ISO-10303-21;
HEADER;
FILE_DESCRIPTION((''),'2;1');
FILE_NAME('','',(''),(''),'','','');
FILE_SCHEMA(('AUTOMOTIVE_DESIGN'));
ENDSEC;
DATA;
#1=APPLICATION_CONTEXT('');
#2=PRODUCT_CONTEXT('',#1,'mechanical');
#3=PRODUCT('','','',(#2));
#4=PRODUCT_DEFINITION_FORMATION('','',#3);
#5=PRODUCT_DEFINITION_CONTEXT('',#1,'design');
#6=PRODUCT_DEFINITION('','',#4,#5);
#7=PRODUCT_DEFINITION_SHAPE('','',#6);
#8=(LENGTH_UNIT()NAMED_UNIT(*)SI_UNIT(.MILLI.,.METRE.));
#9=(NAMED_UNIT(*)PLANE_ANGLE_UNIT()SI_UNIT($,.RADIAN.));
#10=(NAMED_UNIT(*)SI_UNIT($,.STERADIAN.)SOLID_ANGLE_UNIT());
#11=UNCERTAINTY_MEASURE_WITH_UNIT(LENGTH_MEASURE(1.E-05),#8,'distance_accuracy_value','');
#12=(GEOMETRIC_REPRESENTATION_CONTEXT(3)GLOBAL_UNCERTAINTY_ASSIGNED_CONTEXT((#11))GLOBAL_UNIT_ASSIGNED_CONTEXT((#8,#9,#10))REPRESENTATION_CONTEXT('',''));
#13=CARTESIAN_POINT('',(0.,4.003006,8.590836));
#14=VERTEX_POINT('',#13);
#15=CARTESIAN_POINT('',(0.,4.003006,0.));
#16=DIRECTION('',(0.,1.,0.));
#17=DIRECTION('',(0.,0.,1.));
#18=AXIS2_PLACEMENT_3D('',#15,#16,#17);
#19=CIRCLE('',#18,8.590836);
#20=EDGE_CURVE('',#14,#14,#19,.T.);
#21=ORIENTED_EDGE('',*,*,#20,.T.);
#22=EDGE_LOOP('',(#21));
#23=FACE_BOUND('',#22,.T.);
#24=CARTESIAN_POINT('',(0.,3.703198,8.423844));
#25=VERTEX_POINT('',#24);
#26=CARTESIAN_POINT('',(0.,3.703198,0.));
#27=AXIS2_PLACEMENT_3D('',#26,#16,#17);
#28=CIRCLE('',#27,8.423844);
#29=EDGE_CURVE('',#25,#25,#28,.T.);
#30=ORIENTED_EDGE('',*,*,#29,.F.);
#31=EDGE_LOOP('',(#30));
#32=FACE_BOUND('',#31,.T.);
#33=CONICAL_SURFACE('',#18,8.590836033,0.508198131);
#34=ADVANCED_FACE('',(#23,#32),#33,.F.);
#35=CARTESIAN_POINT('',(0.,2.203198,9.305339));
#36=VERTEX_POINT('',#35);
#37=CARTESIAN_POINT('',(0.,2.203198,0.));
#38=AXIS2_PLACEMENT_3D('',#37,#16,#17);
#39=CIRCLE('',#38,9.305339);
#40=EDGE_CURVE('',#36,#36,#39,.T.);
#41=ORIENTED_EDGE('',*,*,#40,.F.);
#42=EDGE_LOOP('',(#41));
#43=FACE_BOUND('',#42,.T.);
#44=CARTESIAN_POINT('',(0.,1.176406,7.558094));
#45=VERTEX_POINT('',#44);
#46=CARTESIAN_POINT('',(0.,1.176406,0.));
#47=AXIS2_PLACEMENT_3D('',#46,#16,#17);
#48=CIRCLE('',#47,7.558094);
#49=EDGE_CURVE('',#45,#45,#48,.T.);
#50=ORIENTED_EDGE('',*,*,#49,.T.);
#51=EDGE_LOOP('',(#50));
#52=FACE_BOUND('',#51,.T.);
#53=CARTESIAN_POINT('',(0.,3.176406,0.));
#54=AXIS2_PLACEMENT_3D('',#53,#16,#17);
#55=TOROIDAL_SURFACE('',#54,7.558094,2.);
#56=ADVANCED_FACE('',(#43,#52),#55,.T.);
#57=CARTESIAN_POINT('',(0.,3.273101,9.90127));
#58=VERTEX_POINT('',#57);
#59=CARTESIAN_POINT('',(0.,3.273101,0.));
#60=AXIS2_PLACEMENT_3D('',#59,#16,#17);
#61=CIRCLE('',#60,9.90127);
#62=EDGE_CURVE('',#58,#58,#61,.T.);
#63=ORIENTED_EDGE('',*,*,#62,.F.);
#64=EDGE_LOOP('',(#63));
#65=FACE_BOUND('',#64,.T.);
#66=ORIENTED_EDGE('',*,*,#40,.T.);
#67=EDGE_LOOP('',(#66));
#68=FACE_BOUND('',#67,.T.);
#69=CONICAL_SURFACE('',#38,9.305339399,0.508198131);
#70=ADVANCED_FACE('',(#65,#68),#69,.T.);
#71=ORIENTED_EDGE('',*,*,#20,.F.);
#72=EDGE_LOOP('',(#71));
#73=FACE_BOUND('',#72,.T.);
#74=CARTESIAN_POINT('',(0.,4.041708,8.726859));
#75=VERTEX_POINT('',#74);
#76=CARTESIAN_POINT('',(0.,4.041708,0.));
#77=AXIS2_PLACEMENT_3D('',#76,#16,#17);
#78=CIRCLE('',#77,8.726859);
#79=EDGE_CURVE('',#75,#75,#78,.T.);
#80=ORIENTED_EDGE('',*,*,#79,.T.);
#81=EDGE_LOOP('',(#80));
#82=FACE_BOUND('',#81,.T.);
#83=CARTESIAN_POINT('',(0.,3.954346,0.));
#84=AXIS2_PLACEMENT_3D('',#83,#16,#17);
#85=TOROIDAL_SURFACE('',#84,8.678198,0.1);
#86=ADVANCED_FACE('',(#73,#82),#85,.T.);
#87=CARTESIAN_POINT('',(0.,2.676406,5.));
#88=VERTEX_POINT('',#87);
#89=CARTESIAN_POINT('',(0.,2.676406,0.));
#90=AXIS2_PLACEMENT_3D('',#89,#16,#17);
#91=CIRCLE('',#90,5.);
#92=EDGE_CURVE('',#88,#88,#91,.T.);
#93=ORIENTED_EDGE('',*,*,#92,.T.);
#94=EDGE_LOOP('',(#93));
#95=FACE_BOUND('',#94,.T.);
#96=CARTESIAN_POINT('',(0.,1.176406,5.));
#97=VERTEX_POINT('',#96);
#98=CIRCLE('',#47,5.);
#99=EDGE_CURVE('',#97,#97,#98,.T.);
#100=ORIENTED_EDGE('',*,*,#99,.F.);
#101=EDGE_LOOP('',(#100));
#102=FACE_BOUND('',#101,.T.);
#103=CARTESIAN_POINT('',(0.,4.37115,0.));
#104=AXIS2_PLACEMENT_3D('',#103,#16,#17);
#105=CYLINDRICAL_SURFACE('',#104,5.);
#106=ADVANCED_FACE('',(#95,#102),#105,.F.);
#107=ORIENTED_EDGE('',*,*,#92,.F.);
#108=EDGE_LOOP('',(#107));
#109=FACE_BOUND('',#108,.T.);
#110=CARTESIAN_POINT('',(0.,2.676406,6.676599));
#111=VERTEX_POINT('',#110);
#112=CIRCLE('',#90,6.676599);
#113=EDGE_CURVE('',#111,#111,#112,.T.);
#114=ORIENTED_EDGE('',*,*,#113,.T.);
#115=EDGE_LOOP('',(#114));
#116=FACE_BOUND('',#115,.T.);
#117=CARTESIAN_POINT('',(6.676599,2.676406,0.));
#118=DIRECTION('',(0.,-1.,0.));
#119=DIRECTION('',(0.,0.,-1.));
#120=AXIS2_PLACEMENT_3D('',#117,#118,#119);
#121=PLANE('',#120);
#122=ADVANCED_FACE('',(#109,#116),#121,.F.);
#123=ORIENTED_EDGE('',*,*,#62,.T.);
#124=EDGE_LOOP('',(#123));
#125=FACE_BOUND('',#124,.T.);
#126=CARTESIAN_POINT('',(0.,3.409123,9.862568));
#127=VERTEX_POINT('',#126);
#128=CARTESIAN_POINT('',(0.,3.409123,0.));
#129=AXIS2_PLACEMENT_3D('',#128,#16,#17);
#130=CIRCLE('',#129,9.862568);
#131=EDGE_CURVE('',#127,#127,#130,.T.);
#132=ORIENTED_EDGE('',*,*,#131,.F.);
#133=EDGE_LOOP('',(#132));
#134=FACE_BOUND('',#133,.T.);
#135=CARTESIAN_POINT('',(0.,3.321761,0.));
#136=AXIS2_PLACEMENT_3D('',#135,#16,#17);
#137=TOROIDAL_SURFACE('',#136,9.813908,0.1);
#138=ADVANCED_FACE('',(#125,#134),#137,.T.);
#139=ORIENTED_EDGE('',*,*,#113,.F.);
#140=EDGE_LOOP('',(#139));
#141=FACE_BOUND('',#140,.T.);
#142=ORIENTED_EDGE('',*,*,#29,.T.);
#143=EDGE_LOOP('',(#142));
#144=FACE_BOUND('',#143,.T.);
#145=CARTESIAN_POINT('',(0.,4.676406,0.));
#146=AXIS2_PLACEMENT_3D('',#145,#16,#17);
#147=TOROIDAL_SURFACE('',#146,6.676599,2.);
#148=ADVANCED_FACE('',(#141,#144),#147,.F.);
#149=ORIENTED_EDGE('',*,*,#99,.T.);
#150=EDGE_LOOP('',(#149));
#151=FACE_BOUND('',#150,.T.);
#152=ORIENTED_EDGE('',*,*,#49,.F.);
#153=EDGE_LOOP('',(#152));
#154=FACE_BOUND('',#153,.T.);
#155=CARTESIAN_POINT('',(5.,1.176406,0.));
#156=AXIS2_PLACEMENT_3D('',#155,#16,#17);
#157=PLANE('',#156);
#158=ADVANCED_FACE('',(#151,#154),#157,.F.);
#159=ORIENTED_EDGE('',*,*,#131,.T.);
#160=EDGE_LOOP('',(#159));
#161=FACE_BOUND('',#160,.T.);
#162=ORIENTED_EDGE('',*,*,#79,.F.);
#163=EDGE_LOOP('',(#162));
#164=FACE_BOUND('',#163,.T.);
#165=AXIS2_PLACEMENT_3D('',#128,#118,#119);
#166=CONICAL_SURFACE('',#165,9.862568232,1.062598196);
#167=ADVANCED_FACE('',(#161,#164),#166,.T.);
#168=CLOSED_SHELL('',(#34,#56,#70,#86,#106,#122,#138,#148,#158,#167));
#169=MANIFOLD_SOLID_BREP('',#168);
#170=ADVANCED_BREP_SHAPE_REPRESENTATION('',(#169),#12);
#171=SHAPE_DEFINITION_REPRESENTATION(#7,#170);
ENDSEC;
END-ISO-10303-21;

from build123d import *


with BuildPart() as part:
    # Sketch1 → Revolve1 (revolve)
    with BuildSketch(Plane.XY, mode=Mode.PRIVATE) as revolve1_sk:
        with BuildLine():
            Line((5, 1.176406116), (7.558093955, 1.176406116))
            ThreePointArc((7.558093955, 1.176406116), (8.571401526, 1.452106905), (9.305339399, 2.203198348))
            Line((9.305339399, 2.203198348), (9.901270116, 3.273100648))
            ThreePointArc((9.901270116, 3.273100648), (9.910090389, 3.349127401), (9.862568232, 3.409123309))
            Line((9.862568232, 3.409123309), (8.726858693, 4.041708358))
            ThreePointArc((8.726858693, 4.041708358), (8.65083194, 4.050528631), (8.590836033, 4.003006474))
            Line((8.590836033, 4.003006474), (8.42384427, 3.703198348))
            ThreePointArc((8.42384427, 3.703198348), (7.689906396, 2.952106905), (6.676598826, 2.676406116))
            Line((6.676598826, 2.676406116), (5, 2.676406116))
            Line((5, 2.676406116), (5, 1.176406116))
        make_face()
    revolve(revolve1_sk.sketch.rotate(Axis((0, 4.371150449, 0), (0, -1, 0)), 90), axis=Axis((0, 4.371150449, 0), (0, -1, 0)))


solid = part.part
